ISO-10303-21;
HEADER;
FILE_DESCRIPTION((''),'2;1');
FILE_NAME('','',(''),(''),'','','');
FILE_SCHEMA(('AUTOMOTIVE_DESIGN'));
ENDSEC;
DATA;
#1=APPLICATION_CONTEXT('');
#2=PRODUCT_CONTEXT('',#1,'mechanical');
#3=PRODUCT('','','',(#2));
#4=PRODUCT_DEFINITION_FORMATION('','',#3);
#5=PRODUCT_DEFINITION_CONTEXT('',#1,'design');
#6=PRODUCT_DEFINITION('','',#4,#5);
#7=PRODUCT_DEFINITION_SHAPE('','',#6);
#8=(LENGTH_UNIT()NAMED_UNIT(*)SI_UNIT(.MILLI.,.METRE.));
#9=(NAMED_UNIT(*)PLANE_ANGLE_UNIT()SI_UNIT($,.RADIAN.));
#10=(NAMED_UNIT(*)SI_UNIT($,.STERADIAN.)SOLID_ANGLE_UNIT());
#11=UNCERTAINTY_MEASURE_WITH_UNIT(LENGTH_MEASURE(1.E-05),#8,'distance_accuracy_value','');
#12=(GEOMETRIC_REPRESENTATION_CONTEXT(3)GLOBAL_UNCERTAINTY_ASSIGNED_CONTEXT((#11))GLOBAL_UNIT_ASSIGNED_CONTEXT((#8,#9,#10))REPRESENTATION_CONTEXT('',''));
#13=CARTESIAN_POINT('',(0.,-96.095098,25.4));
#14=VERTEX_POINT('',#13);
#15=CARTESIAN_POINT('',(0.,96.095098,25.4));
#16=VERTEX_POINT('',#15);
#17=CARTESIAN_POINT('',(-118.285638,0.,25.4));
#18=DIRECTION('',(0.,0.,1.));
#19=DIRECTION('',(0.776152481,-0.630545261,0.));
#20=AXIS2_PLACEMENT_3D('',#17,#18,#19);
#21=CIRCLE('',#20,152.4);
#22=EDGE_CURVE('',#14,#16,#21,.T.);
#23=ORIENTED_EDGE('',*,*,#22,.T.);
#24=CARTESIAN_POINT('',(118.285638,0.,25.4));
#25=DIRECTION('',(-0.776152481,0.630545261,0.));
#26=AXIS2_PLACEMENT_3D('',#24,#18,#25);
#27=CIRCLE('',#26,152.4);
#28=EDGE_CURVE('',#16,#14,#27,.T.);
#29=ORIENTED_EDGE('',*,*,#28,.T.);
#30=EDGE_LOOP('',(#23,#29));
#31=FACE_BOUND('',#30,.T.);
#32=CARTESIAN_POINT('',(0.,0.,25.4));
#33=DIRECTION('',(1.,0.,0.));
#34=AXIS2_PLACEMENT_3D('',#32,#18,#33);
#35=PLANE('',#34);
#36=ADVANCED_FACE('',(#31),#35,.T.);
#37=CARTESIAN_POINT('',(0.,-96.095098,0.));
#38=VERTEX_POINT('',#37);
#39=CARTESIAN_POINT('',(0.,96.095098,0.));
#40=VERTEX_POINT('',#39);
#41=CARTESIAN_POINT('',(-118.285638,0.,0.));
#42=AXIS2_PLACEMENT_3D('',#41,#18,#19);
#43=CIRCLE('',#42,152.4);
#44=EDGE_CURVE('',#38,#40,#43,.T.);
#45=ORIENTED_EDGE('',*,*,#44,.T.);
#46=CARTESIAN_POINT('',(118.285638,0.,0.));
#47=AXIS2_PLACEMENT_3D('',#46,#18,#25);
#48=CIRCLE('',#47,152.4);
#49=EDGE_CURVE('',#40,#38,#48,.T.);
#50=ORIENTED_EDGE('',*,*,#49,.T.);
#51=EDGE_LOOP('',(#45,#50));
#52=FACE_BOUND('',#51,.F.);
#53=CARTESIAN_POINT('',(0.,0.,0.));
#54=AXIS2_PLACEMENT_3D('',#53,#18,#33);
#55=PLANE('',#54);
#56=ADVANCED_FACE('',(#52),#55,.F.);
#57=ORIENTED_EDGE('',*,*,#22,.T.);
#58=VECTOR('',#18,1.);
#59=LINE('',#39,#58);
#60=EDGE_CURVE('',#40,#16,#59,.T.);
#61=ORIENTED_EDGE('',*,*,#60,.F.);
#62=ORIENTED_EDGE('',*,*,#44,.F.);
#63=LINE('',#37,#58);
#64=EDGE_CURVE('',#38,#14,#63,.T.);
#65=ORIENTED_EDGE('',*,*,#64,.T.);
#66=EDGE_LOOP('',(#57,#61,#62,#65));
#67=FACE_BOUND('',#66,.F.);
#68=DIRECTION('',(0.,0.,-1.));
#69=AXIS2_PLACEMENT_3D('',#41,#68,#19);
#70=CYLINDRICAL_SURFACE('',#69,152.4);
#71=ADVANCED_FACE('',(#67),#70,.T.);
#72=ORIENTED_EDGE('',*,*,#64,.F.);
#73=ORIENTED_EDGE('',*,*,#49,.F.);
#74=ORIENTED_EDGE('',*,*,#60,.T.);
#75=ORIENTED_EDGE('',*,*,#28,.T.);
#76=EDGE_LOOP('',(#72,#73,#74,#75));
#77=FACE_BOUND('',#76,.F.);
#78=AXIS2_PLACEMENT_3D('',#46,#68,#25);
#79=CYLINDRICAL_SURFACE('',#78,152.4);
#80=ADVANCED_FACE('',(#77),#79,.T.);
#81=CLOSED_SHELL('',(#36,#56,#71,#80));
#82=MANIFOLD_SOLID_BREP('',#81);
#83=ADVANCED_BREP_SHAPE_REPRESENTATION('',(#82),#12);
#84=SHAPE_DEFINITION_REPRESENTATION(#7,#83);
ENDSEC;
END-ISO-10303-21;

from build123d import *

# Parameters (mm, degrees)
F1_DEPTH = 25.4


with BuildPart() as f1:
    # F0 (on Top) → F1 (new body)
    with BuildSketch(Plane.XY):
        with BuildLine():
            ThreePointArc((0, -96.095098), (34.114362, 0), (0, 96.095098))
            ThreePointArc((0, 96.095098), (-34.114362, 0), (0, -96.095098))
        make_face()
        with BuildLine():
            add(Edge.make_bspline(
                [(0, 0), (31.465492, 0), (15.732746, 27.526092), (0, 55.052184), (-15.732746, 27.526092), (-31.465492, 0), (0, 0)],
                knots=[0, 0, 0, 2.094395, 2.094395, 4.18879, 4.18879, 6.283185, 6.283185, 6.283185], degree=2, weights=[1, 0.5, 1, 0.5, 1, 0.5, 1]))
        make_face(mode=Mode.SUBTRACT)
        with BuildLine():
            add(Edge.make_bspline(
                [(0, 0), (31.465492, 0), (15.732746, 27.526092), (0, 55.052184), (-15.732746, 27.526092), (-31.465492, 0), (0, 0)],
                knots=[0, 0, 0, 2.094395, 2.094395, 4.18879, 4.18879, 6.283185, 6.283185, 6.283185], degree=2, weights=[1, 0.5, 1, 0.5, 1, 0.5, 1]))
        make_face()
    extrude(amount=F1_DEPTH)


solid = f1.part
